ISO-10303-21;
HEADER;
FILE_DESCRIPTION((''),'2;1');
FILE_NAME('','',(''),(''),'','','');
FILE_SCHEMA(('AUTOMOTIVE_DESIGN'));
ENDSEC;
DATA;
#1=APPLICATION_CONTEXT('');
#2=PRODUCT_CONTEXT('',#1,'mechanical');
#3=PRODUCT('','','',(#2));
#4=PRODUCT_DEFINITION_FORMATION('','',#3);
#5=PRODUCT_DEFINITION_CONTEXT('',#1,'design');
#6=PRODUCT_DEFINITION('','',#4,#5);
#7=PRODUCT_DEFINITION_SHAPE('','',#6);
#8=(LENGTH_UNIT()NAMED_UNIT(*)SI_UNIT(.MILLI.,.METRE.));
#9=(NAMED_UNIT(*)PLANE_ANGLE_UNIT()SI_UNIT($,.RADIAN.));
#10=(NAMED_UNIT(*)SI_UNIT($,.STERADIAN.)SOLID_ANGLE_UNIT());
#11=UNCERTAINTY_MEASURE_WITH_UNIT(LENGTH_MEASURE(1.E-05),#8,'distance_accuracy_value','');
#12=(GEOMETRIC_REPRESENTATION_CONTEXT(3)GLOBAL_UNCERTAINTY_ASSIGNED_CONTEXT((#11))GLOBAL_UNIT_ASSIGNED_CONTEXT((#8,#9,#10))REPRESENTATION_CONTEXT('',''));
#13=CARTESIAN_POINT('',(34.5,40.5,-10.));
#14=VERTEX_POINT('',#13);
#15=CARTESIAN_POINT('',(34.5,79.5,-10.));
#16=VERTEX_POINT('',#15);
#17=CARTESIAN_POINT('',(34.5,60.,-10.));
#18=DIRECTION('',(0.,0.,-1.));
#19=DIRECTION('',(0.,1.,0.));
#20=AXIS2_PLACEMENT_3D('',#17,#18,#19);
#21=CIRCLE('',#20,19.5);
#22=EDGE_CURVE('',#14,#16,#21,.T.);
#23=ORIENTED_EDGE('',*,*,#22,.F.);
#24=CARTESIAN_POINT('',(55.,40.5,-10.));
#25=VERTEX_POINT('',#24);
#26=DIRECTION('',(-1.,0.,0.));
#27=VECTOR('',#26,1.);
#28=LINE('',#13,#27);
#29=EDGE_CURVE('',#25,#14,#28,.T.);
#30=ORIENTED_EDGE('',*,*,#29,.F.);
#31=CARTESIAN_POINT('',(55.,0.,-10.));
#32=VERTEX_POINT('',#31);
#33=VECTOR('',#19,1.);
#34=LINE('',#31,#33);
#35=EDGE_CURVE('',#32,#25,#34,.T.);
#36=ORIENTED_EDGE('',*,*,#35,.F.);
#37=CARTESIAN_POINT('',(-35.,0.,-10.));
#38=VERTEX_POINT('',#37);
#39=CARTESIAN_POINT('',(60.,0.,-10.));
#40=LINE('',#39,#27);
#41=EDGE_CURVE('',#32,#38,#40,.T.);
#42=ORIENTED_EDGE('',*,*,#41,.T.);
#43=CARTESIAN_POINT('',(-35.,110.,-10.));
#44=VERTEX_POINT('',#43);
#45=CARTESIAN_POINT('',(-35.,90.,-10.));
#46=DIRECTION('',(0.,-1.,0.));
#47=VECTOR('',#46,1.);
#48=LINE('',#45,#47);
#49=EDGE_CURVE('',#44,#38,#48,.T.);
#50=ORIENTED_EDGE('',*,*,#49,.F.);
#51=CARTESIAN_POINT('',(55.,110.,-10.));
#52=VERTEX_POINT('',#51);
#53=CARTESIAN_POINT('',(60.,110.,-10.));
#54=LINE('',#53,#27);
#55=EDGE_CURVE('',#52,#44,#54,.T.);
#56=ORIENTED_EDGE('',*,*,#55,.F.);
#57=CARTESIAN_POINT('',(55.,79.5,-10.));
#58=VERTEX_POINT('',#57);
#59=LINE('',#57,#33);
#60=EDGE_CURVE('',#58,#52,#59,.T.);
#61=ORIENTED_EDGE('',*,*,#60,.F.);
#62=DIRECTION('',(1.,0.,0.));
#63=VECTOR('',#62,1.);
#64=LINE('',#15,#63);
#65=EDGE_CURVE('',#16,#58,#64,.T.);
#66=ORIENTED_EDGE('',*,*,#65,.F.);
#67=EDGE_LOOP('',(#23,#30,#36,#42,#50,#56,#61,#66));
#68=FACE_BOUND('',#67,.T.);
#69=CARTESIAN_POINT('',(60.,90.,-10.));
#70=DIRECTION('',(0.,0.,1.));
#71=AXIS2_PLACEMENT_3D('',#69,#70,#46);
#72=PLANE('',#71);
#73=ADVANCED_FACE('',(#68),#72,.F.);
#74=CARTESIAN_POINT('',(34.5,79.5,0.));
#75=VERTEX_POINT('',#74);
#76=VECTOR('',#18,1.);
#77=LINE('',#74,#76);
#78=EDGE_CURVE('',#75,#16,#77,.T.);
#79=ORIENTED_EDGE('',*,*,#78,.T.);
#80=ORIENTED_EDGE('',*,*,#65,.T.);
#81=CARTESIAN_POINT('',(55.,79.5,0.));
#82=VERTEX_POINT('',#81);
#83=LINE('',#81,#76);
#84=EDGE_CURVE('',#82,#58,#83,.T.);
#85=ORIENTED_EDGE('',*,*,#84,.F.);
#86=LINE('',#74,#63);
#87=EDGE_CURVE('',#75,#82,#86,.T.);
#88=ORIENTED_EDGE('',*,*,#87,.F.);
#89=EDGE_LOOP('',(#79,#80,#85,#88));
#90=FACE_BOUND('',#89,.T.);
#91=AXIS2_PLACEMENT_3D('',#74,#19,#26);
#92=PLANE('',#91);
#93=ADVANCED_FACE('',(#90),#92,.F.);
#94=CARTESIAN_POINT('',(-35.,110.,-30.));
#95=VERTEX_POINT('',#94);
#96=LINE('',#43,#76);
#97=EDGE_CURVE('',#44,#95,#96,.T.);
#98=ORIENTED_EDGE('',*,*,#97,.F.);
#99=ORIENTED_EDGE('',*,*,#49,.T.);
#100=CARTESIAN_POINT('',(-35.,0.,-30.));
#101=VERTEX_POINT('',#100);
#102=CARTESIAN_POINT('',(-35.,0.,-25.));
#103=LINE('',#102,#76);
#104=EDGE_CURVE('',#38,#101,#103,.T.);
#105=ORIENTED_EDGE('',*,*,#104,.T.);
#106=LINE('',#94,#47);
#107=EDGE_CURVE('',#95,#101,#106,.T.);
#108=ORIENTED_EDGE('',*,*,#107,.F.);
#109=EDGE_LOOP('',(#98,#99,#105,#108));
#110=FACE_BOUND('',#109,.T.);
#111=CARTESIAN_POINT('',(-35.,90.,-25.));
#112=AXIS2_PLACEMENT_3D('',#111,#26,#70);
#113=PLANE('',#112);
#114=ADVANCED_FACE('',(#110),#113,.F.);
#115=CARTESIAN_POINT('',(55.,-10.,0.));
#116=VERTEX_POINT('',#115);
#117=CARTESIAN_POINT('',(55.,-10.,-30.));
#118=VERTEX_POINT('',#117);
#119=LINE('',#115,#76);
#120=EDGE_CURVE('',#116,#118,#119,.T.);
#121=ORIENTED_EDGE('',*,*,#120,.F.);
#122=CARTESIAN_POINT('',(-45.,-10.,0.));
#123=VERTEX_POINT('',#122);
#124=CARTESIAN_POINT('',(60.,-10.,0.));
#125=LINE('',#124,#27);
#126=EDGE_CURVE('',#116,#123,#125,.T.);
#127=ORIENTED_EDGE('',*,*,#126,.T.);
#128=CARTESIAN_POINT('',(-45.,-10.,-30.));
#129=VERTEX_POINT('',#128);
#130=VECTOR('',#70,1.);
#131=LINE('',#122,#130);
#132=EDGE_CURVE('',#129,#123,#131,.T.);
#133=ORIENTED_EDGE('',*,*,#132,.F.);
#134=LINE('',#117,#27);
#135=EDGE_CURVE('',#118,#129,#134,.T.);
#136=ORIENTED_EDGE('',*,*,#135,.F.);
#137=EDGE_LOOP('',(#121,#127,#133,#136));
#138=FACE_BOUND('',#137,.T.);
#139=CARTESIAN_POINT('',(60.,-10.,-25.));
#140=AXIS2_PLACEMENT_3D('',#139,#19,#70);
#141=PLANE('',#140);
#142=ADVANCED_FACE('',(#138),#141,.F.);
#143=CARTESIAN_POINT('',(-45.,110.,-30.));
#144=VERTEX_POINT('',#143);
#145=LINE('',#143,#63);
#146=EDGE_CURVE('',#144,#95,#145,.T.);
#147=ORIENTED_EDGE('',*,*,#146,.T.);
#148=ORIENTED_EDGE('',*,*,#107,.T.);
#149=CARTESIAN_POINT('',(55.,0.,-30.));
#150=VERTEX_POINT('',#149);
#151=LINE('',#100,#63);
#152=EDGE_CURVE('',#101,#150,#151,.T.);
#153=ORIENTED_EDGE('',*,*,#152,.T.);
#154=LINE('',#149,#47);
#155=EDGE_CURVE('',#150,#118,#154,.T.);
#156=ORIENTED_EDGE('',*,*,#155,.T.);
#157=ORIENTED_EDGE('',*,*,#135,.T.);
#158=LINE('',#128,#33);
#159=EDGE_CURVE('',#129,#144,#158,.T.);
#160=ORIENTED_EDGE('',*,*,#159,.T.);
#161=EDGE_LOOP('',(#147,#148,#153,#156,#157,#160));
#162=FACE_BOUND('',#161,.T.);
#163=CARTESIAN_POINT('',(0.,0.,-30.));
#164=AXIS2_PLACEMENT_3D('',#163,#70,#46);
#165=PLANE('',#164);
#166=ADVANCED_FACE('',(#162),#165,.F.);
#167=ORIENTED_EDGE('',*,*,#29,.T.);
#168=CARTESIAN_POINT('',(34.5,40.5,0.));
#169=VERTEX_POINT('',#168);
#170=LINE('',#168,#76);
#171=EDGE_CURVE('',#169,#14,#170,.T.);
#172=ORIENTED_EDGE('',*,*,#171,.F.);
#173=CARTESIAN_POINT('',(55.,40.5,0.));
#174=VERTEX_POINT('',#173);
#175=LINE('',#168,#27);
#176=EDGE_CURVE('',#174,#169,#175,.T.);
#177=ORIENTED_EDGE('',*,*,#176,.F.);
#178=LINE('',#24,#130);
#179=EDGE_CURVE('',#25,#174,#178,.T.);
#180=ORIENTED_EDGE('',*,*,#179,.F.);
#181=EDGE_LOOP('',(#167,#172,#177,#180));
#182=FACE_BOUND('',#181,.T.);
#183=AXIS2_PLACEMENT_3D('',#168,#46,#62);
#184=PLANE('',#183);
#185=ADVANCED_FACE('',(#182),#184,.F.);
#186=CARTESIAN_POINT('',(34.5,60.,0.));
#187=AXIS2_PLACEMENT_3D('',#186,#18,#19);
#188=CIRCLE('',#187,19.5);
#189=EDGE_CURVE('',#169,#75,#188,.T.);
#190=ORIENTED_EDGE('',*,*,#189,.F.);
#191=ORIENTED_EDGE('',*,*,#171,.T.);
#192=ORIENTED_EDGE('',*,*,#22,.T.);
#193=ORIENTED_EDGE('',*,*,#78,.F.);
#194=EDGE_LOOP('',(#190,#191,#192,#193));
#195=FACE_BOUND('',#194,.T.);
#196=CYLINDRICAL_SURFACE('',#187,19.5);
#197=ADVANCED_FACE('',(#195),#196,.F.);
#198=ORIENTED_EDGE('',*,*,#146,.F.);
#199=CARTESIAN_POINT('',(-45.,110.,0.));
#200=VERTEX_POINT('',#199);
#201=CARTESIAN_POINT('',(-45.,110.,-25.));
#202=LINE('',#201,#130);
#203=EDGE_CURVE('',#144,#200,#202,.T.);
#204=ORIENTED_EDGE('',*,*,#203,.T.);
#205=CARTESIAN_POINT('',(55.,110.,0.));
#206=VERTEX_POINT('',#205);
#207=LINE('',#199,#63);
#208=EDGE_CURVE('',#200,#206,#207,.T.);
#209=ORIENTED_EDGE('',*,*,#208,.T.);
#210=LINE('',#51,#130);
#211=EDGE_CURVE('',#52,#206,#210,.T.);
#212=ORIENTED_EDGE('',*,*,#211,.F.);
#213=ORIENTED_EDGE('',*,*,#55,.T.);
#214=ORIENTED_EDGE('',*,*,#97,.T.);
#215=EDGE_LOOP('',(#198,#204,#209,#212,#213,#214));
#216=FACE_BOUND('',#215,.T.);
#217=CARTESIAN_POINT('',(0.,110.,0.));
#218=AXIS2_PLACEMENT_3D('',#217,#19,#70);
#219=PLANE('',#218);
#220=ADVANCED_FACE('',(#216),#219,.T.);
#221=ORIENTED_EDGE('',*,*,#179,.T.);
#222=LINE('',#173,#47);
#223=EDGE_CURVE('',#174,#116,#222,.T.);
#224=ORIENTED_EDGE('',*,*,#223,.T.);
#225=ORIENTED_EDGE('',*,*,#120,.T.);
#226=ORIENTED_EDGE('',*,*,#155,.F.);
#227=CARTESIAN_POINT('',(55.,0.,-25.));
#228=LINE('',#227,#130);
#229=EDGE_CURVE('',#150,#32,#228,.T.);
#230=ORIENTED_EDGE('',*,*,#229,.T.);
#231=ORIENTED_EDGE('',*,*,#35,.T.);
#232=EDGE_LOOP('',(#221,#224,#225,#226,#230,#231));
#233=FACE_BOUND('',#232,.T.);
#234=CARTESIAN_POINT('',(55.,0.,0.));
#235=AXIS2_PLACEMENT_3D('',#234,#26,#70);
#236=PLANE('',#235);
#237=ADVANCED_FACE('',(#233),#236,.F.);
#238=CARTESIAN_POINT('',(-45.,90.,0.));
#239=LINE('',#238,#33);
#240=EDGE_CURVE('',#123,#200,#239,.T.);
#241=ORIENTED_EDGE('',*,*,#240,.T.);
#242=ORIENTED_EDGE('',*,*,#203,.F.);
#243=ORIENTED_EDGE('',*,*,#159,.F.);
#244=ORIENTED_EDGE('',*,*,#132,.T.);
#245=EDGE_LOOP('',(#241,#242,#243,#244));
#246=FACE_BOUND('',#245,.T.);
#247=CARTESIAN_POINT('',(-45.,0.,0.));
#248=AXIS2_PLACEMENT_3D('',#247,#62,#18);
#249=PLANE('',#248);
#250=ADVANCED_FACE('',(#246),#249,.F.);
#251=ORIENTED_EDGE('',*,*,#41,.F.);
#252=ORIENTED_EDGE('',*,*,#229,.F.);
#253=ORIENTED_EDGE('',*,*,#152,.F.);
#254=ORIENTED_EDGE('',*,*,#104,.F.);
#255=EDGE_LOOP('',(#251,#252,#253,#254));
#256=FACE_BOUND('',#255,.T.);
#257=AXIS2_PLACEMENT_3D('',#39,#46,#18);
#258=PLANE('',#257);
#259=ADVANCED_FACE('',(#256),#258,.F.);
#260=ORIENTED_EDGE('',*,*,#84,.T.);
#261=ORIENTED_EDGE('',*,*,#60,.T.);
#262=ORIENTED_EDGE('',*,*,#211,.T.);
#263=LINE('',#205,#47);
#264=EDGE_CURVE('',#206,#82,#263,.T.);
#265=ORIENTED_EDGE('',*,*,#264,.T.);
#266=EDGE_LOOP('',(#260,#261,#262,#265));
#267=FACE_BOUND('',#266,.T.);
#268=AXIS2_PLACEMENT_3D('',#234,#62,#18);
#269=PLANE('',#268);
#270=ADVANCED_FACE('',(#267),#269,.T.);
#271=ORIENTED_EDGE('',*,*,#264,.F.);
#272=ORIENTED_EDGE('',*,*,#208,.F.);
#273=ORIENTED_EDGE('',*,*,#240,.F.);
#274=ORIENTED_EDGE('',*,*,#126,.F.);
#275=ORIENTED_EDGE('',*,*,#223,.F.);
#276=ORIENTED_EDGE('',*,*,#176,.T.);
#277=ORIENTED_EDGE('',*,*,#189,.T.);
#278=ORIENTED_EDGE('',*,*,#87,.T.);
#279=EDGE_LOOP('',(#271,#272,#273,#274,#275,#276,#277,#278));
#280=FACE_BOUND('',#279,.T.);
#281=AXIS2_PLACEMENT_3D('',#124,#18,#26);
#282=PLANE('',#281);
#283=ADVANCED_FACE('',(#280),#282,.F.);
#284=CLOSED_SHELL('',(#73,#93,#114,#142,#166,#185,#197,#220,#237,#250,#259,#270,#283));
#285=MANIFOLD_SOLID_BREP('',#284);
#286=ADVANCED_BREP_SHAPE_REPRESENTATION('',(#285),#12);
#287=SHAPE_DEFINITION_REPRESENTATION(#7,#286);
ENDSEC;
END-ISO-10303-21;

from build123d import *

# Parameters (mm, degrees)
BOSS_EXTRUDE1_DEPTH = 60
SKETCH4_W           = 10
SKETCH4_H           = 90
BOSS_EXTRUDE2_DEPTH = 45
SKETCH6_W           = 25
SKETCH6_H           = 10
BOSS_EXTRUDE3_DEPTH = 45
SKETCH8_W           = 10
SKETCH8_H           = 15
BOSS_EXTRUDE4_DEPTH = 90
CUT_EXTRUDE1_DEPTH  = 10
BOSS_EXTRUDE5_DEPTH = 20
CUT_EXTRUDE2_DEPTH  = 5
SKETCH12_W          = 10
SKETCH12_H          = 30.5
CUT_EXTRUDE3_DEPTH  = 5
BOSS_EXTRUDE6_DEPTH = 5


with BuildPart() as part:
    # Sketch1 → Boss-Extrude1 (new body)
    with BuildSketch(Plane(origin=(0, 0, 0), x_dir=(0, 0, -1), z_dir=(1, 0, 0))):
        Polygon((0, -10), (0, 90), (10, 90), (10, 0), (25, 0), (25, -10), align=None)
    extrude(amount=BOSS_EXTRUDE1_DEPTH)

    # Sketch4 → Boss-Extrude2 (add)
    with BuildSketch(Plane.ZY):
        with Locations((-5, 45)):
            Rectangle(SKETCH4_W, SKETCH4_H)
    extrude(amount=BOSS_EXTRUDE2_DEPTH)

    # Sketch6 → Boss-Extrude3 (add)
    with BuildSketch(Plane.ZY):
        with Locations((-12.5, -5)):
            Rectangle(SKETCH6_W, SKETCH6_H)
    extrude(amount=BOSS_EXTRUDE3_DEPTH)

    # Sketch8 → Boss-Extrude4 (add)
    with BuildSketch(Plane(origin=(0, 0, 0), x_dir=(1, 0, 0), z_dir=(0, 1, 0))):
        with Locations((-40, 17.5)):
            Rectangle(SKETCH8_W, SKETCH8_H)
    extrude(amount=BOSS_EXTRUDE4_DEPTH)

    # Sketch9 → Cut-Extrude1 (cut)
    with BuildSketch(Plane(origin=(0, 0, -10), x_dir=(-1, 0, 0), z_dir=(0, 0, -1))):
        with BuildLine():
            Line((-34.5, 40.5), (-60, 40.5))
            Line((-60, 40.5), (-60, 79.5))
            Line((-60, 79.5), (-34.5, 79.5))
            ThreePointArc((-34.5, 79.5), (-15, 60), (-34.5, 40.5))
        make_face()
    extrude(amount=-CUT_EXTRUDE1_DEPTH, mode=Mode.SUBTRACT)

    # Sketch10 → Boss-Extrude5 (add)
    with BuildSketch(Plane(origin=(0, 90, 0), x_dir=(1, 0, 0), z_dir=(0, 1, 0))):
        Polygon((60, 10), (-35, 10), (-35, 25), (-45, 25), (-45, 0), (60, 0), align=None)
    extrude(amount=BOSS_EXTRUDE5_DEPTH)

    # Sketch11 → Cut-Extrude2 (cut)
    with BuildSketch(Plane(origin=(60, 0, 0), x_dir=(0, 0, -1), z_dir=(1, 0, 0))):
        Polygon((10, 0), (10, 40.5), (0, 40.5), (0, -10), (25, -10), (25, 0), align=None)
    extrude(amount=-CUT_EXTRUDE2_DEPTH, mode=Mode.SUBTRACT)

    # Sketch12 → Cut-Extrude3 (cut)
    with BuildSketch(Plane(origin=(60, 0, 0), x_dir=(0, 0, -1), z_dir=(1, 0, 0))):
        with Locations((5, 94.75)):
            Rectangle(SKETCH12_W, SKETCH12_H)
    extrude(amount=-CUT_EXTRUDE3_DEPTH, mode=Mode.SUBTRACT)

    # Sketch13 → Boss-Extrude6 (add)
    with BuildSketch(Plane(origin=(0, 0, -25), x_dir=(-1, 0, 0), z_dir=(0, 0, -1))):
        Polygon((35, 0), (-55, 0), (-55, -10), (45, -10), (45, 110), (35, 110), align=None)
    extrude(amount=BOSS_EXTRUDE6_DEPTH)


solid = part.part
